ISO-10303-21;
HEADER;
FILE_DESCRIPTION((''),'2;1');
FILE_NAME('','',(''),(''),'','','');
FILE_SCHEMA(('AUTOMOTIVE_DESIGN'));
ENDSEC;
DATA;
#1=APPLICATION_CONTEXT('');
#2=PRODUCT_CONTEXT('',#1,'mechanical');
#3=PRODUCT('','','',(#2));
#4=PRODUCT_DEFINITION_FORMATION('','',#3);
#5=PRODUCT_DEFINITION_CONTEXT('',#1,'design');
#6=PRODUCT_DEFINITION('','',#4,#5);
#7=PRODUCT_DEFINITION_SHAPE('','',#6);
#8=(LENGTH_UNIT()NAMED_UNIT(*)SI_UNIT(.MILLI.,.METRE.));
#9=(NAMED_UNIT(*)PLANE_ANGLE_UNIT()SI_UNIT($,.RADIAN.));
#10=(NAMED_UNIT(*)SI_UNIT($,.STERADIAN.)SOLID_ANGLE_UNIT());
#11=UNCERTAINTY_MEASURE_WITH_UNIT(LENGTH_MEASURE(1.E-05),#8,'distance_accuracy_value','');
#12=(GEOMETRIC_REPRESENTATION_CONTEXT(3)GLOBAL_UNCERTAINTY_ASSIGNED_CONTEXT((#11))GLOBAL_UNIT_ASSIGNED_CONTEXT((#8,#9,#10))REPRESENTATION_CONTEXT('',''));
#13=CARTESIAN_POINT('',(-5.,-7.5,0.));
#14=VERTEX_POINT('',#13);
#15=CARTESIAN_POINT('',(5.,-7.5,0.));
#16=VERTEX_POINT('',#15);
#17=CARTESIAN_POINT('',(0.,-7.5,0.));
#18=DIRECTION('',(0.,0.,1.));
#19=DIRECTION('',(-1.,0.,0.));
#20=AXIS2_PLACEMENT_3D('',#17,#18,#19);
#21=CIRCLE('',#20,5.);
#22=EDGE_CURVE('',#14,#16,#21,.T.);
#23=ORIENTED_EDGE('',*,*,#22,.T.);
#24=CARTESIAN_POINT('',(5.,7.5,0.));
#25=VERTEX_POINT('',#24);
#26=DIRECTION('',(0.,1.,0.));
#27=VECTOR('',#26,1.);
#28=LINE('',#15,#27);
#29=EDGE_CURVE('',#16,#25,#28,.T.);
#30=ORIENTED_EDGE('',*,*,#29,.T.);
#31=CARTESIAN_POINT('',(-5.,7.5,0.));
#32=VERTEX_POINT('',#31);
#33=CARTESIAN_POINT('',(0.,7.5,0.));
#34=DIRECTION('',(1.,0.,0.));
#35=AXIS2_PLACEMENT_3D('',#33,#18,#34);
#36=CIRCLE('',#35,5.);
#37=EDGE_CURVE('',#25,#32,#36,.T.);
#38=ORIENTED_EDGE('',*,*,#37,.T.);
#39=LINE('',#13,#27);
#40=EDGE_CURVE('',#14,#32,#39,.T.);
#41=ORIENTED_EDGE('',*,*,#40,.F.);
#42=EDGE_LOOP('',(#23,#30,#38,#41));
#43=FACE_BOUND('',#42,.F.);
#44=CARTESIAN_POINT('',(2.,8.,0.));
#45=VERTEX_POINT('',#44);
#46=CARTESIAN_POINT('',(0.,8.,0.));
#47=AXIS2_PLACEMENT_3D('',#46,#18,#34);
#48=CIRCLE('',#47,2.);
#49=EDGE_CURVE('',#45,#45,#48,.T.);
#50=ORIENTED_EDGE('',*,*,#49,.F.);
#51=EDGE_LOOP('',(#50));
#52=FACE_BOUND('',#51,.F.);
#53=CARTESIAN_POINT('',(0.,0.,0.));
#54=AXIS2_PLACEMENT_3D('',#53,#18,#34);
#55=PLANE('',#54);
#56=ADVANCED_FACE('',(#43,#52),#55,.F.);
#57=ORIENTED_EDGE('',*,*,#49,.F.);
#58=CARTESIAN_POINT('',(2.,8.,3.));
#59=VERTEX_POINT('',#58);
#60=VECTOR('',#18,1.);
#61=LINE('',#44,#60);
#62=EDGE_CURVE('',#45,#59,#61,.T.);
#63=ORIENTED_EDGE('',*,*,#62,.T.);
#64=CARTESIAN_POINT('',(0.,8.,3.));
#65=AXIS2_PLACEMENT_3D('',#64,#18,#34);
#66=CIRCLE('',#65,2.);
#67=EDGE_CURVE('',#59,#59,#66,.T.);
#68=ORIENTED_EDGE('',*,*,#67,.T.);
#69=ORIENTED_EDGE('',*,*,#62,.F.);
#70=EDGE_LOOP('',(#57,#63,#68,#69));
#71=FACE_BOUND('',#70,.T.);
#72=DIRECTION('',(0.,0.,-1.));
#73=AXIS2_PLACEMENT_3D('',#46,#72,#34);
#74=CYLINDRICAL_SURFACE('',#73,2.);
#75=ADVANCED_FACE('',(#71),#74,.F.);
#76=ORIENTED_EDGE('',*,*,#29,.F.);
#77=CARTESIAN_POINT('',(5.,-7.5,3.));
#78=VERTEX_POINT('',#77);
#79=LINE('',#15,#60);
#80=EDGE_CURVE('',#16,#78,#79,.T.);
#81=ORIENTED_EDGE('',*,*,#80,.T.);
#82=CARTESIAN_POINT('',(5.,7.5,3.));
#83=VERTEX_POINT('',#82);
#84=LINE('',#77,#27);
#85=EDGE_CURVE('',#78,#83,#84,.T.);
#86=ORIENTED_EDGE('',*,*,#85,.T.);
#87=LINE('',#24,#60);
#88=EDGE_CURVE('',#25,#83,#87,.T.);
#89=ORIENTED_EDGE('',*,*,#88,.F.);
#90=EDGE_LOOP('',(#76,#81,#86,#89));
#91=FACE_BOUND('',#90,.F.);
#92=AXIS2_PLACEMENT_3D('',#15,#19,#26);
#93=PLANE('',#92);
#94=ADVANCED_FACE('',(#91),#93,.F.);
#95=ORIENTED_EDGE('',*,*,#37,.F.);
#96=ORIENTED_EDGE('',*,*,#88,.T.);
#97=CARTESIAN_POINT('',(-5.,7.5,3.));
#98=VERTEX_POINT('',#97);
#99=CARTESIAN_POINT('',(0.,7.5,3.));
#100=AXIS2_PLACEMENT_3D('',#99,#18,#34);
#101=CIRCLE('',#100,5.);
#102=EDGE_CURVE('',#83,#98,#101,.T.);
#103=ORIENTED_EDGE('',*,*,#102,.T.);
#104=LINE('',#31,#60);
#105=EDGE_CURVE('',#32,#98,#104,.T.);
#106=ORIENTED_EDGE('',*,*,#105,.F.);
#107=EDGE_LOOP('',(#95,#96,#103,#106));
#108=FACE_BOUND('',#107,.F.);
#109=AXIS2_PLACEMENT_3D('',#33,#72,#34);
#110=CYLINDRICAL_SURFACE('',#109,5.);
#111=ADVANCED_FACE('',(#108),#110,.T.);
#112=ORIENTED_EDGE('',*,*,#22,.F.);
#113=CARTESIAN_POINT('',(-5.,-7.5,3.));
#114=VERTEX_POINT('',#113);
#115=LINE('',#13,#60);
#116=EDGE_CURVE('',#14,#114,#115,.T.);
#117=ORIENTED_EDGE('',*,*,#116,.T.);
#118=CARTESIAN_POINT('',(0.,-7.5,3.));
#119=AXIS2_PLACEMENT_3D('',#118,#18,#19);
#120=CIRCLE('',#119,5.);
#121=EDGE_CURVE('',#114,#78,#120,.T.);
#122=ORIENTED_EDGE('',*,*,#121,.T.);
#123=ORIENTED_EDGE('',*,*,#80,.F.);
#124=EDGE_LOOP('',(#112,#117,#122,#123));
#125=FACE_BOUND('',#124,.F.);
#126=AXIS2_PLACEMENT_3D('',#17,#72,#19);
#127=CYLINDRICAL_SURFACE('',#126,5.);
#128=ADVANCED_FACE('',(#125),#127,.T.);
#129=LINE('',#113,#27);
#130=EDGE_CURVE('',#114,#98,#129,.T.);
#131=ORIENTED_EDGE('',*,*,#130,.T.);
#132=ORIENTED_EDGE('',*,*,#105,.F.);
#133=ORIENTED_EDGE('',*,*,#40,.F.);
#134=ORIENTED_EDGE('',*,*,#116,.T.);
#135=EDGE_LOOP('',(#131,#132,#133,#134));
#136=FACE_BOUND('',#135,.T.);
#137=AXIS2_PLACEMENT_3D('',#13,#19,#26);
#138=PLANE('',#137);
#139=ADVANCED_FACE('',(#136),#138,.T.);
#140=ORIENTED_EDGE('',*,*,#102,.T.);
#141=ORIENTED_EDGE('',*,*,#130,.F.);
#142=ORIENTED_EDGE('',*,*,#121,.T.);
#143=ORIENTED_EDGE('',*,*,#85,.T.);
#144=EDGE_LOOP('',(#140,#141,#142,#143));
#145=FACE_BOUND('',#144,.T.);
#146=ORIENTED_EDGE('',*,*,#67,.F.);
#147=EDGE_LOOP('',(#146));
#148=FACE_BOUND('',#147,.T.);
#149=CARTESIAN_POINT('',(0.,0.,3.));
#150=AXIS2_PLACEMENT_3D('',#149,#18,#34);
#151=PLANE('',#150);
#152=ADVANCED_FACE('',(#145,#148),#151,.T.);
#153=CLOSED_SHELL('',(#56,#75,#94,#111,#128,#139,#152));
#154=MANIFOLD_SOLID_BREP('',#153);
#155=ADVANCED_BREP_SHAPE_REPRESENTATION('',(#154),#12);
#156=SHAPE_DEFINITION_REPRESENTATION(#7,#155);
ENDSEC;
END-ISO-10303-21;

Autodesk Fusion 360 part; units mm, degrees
sketch "Boceto1" plane through (0, 0, 0) normal (0, 0, 1) x (1, 0, 0)
  line L0 (-5, -7.5) -> (-5, 7.5)
  circle A0 centre (0, 8) radius 2
  line L1 (-6, 0) -> (7, 0) construction
  line L2 (0, 8) -> (0, -7) construction
  line L3 (5, -7.5) -> (5, 7.5)
  arc A1 (5, 7.5) -> (-5, 7.5) centre (0, 7.5) ccw
  arc A2 (-5, -7.5) -> (5, -7.5) centre (0, -7.5) ccw
  point P0 (-5, 0)
  point P1 (5, 0)
  dimension "d7" = 15
  dimension "d11" = 4
  dimension "d13" = 5
  dimension "d15" = 15
  dimension "d16" = 5
extrude "Extruir1" add sketch "Boceto1" along normal blind 3
